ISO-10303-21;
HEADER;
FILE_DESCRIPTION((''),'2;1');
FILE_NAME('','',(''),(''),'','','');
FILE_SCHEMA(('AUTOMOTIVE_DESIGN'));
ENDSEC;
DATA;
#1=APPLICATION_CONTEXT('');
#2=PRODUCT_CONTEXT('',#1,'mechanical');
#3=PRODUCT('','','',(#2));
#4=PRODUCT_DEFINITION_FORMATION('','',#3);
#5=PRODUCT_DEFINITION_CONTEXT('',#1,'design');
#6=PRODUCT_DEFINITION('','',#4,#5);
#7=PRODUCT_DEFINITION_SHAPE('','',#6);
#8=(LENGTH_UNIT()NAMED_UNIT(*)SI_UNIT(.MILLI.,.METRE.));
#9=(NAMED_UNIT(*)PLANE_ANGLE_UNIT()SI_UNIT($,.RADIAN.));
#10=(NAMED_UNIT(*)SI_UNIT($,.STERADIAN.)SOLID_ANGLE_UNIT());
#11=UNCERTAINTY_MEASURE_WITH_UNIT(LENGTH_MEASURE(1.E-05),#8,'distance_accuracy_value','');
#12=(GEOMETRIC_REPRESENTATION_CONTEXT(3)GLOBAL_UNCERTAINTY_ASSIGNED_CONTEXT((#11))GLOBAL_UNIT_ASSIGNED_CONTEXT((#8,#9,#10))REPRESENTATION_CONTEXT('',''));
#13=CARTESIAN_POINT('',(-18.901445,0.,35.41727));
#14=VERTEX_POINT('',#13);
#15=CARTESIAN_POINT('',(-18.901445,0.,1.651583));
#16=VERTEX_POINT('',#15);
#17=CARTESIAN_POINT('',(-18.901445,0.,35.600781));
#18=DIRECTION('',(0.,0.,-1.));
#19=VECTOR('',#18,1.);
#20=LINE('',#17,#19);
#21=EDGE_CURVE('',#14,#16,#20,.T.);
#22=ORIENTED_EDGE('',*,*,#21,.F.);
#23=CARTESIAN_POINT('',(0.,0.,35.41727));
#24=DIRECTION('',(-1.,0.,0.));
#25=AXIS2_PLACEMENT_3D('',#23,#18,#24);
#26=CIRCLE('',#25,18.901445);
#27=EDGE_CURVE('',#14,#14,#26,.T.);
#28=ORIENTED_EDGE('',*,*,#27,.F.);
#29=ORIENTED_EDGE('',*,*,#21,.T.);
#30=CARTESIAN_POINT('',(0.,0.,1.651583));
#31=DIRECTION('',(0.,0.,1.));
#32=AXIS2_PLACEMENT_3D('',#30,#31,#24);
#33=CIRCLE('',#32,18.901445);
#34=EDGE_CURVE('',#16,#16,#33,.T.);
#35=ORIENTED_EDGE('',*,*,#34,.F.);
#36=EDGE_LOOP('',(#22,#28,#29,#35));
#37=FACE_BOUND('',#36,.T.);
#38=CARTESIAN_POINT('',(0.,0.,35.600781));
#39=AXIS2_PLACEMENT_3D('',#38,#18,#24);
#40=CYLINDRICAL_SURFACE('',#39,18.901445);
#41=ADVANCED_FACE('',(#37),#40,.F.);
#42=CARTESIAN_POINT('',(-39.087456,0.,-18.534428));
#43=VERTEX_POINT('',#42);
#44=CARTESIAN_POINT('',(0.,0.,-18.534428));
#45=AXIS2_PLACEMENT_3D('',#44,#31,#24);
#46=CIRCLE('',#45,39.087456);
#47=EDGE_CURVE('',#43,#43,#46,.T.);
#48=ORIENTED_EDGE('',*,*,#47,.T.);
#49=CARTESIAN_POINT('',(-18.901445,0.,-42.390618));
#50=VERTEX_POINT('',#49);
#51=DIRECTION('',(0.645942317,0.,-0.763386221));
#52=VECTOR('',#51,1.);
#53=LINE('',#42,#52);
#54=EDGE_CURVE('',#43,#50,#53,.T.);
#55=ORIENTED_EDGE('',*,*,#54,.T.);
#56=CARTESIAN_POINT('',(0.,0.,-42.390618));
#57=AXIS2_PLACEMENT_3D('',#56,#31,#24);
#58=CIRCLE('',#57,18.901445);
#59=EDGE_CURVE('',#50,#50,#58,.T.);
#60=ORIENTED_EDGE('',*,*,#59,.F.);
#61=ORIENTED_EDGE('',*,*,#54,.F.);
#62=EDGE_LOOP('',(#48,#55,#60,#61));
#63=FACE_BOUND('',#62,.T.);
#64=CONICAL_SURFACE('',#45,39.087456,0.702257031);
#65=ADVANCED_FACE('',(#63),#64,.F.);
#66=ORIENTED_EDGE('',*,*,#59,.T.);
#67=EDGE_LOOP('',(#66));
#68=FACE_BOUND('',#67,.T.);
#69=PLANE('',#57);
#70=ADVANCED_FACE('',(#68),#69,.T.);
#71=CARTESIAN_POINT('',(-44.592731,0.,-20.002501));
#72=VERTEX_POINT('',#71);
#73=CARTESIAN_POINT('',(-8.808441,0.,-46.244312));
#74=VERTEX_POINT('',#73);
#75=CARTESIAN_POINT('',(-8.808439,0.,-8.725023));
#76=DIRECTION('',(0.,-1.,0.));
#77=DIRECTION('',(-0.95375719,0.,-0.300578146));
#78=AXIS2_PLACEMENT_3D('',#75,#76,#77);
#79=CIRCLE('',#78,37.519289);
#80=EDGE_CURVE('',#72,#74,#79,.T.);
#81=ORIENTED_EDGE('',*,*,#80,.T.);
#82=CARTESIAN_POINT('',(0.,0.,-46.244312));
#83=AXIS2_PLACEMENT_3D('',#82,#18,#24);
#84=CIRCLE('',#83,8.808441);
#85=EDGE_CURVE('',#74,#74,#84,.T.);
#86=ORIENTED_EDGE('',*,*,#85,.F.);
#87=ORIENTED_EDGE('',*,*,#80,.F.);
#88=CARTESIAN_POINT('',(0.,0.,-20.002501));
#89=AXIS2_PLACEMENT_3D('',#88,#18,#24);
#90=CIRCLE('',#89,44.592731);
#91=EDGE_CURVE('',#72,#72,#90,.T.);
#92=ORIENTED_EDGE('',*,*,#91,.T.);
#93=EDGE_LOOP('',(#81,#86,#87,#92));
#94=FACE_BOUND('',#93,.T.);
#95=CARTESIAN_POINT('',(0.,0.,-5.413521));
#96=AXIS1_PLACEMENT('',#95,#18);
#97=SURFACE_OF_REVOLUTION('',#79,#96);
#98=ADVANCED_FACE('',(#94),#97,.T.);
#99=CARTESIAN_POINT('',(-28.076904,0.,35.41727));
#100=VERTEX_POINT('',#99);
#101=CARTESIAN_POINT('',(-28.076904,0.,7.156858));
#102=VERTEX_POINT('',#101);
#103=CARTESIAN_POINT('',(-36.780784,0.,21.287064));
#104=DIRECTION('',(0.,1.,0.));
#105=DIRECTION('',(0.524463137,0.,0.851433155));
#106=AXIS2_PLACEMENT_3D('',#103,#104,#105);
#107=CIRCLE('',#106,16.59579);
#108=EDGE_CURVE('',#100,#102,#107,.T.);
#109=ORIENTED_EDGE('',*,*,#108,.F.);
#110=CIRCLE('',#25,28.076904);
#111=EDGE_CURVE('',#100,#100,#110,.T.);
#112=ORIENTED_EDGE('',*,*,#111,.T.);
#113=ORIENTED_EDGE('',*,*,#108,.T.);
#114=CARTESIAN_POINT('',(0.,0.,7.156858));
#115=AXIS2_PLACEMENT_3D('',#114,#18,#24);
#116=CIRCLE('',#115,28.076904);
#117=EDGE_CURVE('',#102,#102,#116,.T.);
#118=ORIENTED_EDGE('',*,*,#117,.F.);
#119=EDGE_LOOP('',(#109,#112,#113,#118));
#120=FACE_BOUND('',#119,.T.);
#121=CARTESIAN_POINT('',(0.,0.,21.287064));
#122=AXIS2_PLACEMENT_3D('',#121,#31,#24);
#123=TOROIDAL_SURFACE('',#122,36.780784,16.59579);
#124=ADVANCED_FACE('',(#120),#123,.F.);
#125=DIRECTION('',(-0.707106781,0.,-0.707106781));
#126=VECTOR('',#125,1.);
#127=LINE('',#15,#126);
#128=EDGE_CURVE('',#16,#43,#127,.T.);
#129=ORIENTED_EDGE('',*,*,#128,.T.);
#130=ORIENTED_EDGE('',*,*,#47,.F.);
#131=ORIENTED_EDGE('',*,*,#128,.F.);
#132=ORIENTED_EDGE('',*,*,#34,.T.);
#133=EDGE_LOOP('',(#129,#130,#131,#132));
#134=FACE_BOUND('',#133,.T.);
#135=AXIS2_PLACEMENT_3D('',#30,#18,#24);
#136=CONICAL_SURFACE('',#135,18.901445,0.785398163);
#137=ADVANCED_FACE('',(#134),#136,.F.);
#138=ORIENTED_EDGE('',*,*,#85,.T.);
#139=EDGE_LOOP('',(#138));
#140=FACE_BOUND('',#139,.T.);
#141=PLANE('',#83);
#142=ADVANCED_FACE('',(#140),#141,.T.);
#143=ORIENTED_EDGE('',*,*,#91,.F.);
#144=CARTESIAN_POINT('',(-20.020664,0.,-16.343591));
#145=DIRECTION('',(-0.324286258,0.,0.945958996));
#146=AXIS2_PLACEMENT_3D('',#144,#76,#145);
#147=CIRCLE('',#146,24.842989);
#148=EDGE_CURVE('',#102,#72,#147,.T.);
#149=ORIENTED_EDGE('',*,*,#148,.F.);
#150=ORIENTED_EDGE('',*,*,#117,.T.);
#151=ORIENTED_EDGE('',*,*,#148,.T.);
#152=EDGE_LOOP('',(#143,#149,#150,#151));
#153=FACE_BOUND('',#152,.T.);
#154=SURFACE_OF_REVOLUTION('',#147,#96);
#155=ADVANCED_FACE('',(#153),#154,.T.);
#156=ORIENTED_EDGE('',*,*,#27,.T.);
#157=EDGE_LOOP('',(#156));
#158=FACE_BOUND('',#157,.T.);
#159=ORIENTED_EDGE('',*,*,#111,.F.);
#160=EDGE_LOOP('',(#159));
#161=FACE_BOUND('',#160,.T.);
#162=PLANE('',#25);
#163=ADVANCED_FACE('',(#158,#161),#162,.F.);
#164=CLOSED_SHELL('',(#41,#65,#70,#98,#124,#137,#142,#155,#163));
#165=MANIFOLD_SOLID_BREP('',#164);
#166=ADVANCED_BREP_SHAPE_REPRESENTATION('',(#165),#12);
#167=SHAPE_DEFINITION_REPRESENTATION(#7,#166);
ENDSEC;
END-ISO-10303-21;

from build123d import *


with BuildPart() as f1:
    # F0 (on Front) → F1 (revolve)
    with BuildSketch(Plane.XZ):
        with BuildLine():
            Line((-8.808441, -46.244312), (0, -46.244312))
            Line((0, -46.244312), (0, 35.41727))
            Line((0, 35.41727), (-28.076904, 35.41727))
            ThreePointArc((-28.076904, 35.41727), (-20.184994, 21.287064), (-28.076904, 7.156858))
            ThreePointArc((-28.076904, 7.156858), (-41.247046, -3.435655), (-44.592731, -20.002501))
            ThreePointArc((-44.592731, -20.002501), (-30.995982, -38.980766), (-8.808441, -46.244312))
        make_face()
    revolve(axis=Axis((0, 0, -5.413521), (0, 0, -1)))

    # F2 (on Front) → F3 (revolve, cut)
    with BuildSketch(Plane.XZ):
        Polygon((0, 35.600781), (-18.901445, 35.600781), (-18.901445, 1.651583), (-39.087456, -18.534428), (-18.901445, -42.390618), (0, -42.390618), align=None)
    revolve(axis=Axis((0, 0, -3.394919), (0, 0, 1)), mode=Mode.SUBTRACT)


solid = f1.part
